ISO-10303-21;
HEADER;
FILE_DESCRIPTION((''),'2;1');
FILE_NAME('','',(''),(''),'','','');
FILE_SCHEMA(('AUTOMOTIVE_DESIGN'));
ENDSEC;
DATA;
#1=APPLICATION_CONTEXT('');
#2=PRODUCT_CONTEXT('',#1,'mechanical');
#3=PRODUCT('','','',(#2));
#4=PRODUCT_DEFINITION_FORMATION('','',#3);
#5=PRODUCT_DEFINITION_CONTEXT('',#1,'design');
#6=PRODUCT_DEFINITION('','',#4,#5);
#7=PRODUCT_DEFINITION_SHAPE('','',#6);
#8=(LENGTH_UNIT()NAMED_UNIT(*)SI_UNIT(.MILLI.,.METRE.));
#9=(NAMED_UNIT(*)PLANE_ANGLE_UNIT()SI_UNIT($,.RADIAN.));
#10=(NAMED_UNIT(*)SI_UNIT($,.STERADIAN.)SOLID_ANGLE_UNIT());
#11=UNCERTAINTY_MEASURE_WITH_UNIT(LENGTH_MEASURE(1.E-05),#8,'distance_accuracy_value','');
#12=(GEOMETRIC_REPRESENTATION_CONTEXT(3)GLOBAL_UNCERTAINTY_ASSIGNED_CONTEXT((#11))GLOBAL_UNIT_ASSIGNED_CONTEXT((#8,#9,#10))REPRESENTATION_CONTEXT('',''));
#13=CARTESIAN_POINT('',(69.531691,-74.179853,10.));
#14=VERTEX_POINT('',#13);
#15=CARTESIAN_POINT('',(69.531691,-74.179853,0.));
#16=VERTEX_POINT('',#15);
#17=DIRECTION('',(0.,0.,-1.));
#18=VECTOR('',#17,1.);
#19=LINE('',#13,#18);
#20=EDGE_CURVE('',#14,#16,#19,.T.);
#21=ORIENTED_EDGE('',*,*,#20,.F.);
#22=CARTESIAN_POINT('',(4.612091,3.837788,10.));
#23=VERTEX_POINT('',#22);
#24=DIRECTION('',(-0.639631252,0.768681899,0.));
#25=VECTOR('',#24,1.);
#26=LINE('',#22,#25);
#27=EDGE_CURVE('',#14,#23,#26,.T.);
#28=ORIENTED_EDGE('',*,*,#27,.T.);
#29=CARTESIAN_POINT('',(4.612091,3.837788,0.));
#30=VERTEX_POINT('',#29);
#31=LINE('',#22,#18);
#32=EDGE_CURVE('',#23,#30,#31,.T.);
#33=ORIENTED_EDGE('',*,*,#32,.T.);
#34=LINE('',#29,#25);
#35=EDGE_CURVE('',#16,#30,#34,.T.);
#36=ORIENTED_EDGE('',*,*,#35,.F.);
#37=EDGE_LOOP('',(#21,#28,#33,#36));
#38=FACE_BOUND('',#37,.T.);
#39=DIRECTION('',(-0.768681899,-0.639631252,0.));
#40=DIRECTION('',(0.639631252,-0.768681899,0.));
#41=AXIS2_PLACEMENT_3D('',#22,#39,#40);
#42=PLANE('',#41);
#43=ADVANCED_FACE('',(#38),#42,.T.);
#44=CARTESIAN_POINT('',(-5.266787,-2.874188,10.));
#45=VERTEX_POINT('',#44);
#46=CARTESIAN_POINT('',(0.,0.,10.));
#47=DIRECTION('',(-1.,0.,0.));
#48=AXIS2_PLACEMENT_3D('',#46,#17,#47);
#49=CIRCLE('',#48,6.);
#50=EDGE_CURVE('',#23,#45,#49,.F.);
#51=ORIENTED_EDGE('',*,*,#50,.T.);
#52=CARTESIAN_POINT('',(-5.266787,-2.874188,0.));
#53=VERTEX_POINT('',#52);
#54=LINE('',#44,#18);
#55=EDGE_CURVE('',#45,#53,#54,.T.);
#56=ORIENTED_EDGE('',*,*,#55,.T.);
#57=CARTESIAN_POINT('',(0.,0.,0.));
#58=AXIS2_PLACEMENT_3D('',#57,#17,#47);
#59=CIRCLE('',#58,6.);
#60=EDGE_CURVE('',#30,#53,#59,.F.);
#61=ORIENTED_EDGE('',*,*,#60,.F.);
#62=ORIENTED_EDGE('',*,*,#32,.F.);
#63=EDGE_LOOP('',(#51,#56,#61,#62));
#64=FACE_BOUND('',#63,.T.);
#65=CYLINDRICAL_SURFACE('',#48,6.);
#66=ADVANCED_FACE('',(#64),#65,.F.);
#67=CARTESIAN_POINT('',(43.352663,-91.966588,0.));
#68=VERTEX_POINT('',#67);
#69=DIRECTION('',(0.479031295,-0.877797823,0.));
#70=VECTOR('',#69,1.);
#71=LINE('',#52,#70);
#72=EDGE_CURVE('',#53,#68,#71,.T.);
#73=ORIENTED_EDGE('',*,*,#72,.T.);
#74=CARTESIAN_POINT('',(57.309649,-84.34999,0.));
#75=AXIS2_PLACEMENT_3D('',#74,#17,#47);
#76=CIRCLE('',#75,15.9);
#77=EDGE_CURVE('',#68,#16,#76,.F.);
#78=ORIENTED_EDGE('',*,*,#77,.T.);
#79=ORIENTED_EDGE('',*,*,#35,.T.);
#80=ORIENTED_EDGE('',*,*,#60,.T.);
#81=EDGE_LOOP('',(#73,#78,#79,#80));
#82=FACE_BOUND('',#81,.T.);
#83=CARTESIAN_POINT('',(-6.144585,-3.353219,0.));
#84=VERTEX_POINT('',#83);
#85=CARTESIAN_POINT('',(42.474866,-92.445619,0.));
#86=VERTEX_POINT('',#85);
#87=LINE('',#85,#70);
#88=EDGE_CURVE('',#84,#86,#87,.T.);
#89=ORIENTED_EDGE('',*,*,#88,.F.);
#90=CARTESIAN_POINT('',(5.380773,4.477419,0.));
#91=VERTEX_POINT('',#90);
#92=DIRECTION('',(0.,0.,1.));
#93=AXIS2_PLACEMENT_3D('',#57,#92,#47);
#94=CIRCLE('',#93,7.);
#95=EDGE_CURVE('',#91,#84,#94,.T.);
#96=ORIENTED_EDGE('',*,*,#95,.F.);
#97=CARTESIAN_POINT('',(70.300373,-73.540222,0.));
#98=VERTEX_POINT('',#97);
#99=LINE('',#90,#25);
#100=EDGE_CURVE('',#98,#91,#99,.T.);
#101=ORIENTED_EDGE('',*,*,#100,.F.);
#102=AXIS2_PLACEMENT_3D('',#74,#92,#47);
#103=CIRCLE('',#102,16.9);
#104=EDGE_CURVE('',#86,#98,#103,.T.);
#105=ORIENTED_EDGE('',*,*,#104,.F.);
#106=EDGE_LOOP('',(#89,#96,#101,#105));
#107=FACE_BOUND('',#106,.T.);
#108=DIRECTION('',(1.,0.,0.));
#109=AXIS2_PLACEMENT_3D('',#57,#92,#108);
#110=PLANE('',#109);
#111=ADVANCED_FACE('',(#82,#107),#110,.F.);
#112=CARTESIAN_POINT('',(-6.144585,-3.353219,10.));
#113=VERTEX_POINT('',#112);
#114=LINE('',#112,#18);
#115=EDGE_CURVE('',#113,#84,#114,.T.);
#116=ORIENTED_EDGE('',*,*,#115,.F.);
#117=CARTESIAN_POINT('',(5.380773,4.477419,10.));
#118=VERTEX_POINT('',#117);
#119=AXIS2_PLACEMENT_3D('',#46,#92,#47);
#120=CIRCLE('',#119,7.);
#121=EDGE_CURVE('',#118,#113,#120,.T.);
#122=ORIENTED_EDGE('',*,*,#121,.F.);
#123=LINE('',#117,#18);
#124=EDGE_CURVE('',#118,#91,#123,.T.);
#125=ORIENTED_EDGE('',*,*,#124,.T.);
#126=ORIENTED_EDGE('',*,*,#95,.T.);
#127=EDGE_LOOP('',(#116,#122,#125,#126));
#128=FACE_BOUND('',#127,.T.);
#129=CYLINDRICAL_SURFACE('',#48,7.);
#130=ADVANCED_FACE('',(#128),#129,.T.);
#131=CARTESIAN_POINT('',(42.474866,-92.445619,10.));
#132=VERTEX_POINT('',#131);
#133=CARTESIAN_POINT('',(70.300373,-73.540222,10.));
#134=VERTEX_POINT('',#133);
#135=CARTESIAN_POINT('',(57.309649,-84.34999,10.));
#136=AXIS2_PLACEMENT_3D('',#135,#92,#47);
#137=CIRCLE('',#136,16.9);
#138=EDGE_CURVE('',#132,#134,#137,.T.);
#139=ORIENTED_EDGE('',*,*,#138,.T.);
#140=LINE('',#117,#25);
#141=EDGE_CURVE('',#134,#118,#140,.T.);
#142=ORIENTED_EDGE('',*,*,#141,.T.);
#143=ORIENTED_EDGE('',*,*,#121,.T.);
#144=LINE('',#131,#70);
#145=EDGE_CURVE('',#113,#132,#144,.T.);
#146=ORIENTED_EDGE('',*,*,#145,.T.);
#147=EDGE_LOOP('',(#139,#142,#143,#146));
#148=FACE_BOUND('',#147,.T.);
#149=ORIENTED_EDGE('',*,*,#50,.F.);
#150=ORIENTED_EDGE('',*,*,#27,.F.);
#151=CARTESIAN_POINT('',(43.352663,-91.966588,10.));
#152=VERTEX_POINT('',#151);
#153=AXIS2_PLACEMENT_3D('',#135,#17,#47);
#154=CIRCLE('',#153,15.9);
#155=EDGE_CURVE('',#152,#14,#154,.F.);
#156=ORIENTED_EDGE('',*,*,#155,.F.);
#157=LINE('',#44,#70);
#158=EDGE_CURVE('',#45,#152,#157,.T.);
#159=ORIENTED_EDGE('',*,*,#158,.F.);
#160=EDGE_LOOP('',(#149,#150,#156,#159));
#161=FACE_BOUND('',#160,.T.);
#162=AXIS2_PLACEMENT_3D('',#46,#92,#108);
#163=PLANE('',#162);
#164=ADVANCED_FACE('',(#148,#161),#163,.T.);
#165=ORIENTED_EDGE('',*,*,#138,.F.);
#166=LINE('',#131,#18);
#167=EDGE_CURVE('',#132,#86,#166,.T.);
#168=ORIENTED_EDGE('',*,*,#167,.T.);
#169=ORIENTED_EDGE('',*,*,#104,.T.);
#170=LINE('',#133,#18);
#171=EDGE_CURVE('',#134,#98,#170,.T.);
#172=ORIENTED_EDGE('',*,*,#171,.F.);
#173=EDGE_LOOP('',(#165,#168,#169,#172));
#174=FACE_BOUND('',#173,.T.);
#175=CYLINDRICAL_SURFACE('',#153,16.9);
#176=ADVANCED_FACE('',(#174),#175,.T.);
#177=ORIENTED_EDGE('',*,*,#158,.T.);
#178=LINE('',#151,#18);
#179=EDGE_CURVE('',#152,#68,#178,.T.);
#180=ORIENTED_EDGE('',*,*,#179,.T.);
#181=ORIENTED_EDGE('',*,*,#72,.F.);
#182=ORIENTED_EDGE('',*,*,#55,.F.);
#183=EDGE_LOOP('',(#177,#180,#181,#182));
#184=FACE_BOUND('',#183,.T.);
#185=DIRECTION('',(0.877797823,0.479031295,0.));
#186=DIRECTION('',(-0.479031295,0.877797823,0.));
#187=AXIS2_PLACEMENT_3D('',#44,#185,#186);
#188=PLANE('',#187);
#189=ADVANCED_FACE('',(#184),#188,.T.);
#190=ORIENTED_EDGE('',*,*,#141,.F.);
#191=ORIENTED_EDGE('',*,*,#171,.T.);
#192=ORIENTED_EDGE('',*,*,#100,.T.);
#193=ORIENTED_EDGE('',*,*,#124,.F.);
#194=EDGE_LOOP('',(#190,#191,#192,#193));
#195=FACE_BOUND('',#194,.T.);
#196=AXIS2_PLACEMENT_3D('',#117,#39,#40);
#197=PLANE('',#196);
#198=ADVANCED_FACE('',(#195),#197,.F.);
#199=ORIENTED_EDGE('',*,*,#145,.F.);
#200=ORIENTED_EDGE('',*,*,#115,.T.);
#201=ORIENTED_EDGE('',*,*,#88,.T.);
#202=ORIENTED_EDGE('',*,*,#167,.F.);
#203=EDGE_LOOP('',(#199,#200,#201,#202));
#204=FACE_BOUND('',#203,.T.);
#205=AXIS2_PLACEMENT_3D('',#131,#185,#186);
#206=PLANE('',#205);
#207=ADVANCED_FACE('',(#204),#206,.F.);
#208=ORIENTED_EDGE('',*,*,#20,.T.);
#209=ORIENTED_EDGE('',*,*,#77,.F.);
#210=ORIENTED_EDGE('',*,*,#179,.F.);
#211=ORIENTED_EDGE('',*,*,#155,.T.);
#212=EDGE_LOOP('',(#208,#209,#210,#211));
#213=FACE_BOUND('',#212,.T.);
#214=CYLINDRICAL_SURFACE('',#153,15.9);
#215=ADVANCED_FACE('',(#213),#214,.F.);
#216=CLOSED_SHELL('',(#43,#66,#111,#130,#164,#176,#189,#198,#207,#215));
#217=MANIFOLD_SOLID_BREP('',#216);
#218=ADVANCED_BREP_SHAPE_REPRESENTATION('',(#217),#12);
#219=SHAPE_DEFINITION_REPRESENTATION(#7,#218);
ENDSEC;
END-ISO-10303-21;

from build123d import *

# Parameters (mm, degrees)
EXTRU_MINCE1_DEPTH = 10


with BuildPart() as part:
    # Esquisse2 → Extru.-Mince1 (new body)
    with BuildSketch(Plane.XY):
        with BuildLine():
            Line((42.474865666, -92.445618956), (-6.144584761, -3.353219068))
            ThreePointArc((-6.144584761, -3.353219068), (-3.933900634, 5.790028135), (5.380773293, 4.477418762))
            Line((5.380773293, 4.477418762), (70.300372966, -73.540221908))
            ThreePointArc((70.300372966, -73.540221908), (66.807208975, -98.328772274), (42.474865666, -92.445618956))
        make_face()
        with BuildLine():
            Line((43.352663489, -91.966587661), (-5.266786938, -2.874187773))
            ThreePointArc((-5.266786938, -2.874187773), (-3.371914829, 4.962881258), (4.612091394, 3.83778751))
            Line((4.612091394, 3.83778751), (69.531691067, -74.17985316))
            ThreePointArc((69.531691067, -74.17985316), (66.245223171, -97.501625397), (43.352663489, -91.966587661))
        make_face(mode=Mode.SUBTRACT)
    extrude(amount=EXTRU_MINCE1_DEPTH)


solid = part.part
